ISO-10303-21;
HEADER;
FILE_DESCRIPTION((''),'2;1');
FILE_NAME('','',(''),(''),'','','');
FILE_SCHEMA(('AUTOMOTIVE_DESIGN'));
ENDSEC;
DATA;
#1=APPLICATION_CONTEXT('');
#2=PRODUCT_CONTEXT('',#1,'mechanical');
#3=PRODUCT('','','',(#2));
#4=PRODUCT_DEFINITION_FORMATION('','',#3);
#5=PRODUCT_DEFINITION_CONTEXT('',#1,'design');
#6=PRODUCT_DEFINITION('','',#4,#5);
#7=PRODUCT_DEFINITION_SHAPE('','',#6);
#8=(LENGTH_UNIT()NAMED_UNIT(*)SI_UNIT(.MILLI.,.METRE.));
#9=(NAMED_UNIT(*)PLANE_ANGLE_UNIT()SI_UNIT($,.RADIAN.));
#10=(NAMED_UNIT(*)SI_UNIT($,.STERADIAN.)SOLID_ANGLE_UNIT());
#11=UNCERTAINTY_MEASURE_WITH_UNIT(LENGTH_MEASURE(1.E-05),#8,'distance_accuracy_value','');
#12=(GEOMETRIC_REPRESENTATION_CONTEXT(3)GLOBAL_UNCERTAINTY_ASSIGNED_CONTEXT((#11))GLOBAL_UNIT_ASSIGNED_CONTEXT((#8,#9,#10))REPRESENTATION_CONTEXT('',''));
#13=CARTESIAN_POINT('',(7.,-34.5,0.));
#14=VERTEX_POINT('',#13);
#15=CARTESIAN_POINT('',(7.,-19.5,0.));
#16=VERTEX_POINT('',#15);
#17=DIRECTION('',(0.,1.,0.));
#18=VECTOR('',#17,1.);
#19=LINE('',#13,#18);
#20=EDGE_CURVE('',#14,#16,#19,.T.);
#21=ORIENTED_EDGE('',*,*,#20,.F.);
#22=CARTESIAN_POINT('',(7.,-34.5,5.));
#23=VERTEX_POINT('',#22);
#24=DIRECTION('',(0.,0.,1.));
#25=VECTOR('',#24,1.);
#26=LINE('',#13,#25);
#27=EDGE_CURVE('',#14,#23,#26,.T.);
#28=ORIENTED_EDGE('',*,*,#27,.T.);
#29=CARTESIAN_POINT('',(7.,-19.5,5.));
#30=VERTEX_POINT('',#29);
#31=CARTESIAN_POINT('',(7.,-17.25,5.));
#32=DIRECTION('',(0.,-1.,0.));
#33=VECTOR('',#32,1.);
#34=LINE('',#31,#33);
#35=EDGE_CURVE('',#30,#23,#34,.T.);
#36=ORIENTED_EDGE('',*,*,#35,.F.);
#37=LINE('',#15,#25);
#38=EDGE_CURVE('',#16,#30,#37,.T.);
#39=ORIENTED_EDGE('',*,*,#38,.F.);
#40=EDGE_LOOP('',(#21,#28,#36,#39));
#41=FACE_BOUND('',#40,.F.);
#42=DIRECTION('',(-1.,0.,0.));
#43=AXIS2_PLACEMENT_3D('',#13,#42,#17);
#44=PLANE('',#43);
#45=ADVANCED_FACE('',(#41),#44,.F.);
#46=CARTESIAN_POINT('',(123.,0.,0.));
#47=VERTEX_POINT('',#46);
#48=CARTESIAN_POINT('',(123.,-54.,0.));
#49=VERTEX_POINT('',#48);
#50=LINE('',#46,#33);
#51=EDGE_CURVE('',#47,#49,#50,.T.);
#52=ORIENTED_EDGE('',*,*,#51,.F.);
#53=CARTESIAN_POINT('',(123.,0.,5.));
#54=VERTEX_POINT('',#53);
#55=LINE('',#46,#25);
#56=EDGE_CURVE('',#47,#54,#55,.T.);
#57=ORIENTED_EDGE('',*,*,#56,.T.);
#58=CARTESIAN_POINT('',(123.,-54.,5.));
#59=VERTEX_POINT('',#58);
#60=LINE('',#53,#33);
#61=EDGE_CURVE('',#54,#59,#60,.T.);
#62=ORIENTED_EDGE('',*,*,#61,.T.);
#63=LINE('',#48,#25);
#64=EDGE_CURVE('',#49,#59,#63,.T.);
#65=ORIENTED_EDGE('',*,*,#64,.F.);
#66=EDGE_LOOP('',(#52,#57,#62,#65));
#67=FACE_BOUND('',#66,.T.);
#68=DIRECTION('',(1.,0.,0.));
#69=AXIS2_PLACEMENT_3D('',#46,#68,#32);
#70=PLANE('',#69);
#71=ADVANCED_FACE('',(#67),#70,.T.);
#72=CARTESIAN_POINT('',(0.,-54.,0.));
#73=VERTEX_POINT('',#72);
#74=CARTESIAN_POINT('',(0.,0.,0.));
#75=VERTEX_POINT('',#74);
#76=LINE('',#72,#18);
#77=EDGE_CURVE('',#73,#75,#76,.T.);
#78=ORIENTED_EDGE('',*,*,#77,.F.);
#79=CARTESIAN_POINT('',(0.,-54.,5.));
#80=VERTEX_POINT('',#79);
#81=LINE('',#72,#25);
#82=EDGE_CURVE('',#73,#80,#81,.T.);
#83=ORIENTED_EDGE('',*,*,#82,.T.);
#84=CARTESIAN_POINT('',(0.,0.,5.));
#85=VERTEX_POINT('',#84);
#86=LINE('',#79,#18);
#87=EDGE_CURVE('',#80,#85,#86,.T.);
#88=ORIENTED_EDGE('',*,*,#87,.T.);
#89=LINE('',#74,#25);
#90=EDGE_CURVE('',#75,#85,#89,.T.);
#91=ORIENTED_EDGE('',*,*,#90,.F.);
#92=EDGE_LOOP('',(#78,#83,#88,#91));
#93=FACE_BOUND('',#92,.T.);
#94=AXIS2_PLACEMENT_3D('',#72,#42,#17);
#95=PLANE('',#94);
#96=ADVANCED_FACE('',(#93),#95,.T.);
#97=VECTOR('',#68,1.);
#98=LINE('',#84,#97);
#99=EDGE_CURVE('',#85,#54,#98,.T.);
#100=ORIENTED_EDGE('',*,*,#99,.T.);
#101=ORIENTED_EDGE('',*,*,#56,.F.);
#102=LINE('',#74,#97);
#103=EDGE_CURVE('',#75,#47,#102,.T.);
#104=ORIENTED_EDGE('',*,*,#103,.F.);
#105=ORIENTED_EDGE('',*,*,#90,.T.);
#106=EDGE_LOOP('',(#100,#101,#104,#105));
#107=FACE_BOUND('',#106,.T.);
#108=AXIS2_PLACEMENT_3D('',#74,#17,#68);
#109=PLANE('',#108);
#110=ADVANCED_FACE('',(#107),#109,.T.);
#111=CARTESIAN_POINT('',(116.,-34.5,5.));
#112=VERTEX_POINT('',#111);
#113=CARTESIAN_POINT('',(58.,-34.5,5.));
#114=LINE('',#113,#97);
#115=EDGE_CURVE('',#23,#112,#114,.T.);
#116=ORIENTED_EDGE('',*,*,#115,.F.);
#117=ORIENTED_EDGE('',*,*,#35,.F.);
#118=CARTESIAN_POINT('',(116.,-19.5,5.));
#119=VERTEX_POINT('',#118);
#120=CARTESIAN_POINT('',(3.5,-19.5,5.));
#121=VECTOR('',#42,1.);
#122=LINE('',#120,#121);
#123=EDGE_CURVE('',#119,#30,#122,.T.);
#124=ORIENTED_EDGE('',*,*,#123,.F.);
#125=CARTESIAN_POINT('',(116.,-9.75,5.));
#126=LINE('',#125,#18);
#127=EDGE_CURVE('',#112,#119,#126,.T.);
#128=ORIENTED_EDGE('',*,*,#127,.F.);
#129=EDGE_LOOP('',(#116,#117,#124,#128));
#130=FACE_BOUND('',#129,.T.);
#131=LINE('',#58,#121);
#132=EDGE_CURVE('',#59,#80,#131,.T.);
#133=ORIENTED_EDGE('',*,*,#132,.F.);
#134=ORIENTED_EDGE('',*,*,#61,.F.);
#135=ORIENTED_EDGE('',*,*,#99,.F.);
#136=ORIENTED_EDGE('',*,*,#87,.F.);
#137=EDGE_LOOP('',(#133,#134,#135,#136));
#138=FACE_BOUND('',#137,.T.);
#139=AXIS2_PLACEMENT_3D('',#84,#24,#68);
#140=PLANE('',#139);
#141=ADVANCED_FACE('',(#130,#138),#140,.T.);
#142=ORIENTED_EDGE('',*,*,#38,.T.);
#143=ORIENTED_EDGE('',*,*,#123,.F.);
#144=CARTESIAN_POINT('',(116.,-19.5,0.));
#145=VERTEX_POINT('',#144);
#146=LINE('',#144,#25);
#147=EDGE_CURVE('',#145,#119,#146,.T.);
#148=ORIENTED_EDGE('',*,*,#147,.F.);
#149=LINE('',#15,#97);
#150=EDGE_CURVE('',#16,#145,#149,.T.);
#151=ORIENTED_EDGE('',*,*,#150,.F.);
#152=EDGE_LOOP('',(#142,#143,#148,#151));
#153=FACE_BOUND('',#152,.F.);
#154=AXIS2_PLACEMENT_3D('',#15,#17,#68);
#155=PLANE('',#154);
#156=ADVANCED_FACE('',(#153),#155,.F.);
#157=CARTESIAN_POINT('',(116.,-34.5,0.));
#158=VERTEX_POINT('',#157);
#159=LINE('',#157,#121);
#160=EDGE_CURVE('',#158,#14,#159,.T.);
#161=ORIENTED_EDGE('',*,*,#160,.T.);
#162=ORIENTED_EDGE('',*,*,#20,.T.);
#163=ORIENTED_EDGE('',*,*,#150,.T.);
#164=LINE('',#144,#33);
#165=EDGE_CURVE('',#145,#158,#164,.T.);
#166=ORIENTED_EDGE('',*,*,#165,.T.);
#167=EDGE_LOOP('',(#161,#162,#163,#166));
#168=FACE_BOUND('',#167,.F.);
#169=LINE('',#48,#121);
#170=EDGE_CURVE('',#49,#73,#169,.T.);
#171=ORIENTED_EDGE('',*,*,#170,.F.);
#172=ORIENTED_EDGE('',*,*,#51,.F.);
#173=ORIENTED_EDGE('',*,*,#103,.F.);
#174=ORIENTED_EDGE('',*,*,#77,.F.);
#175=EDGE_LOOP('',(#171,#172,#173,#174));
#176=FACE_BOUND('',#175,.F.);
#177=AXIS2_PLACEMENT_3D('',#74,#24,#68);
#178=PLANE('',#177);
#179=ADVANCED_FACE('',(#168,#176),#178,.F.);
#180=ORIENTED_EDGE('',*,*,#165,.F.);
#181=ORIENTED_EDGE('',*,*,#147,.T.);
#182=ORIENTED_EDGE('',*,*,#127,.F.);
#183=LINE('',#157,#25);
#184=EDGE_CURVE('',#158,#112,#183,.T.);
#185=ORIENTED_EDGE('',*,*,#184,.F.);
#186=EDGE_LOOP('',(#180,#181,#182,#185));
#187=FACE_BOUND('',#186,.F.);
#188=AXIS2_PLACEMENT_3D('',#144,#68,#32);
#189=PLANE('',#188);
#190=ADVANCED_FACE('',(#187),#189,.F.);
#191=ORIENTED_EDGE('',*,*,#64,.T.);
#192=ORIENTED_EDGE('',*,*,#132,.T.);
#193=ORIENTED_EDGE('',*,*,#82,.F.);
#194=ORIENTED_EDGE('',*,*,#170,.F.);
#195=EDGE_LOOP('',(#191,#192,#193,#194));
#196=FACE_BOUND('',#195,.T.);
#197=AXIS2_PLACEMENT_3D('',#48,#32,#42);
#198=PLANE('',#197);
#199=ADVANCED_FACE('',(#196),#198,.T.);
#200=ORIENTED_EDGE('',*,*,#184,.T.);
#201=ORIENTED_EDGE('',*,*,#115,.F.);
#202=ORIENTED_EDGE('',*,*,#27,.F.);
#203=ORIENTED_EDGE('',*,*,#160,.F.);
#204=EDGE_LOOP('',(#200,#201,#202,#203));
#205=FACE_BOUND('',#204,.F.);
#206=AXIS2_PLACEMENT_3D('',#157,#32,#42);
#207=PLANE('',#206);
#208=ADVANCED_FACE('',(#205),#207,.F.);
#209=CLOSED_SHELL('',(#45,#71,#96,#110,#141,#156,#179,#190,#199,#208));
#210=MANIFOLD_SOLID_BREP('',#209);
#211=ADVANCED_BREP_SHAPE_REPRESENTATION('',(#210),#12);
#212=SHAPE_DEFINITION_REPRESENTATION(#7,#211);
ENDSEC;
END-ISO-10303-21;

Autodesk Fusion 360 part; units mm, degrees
sketch "Sketch1" plane through (0, 0, 0) normal (0, 0, 1) x (1, 0, 0)
  line L0 (0, 0) -> (123, 0)
  line L1 (123, 0) -> (123, -54)
  line L2 (123, -54) -> (0, -54)
  line L3 (0, -54) -> (0, 0)
  line L4 (7, -19.5) -> (116, -19.5)
  line L5 (116, -19.5) -> (116, -34.5)
  line L6 (116, -34.5) -> (7, -34.5)
  line L7 (7, -34.5) -> (7, -19.5)
  dimension "d7" = 123
  dimension "d8" = 54
  dimension "d15" = 109
  dimension "d16" = 15
  dimension "d17" = 7
  dimension "d18" = 19.5
extrude "Extrude1" add sketch "Sketch1" along normal blind 5 contours L0 L1 L2 L3 | L4 L5 L6 L7
extrude "Extrude2" cut sketch "Sketch1" along normal blind 100 contours L4 L5 L6 L7
equation "lm2596_length = 44 mm"
equation "lm2596_width = 22 mm"
equation "width = lm2596_length + ( 2 * 5 ) * 1 mm"
equation "length = lm2596_width * 4 + ( 5 * 7 ) * 1 mm"
equation "height = 5 mm"
equation "d7 = length"
equation "d8 = width"
equation "d9 = height"
equation "middle_gap_width = 15 mm"
equation "middle_gap_length = length - ( 2 * 7 ) * 1 mm"
equation "middle_gap_small_distance = 7 mm"
equation "middle_gap_big_distance = ( width - middle_gap_width ) / 2"
equation "d15 = middle_gap_length"
equation "d16 = middle_gap_width"
equation "d17 = middle_gap_small_distance"
equation "d18 = middle_gap_big_distance"
equation "extra = 100 mm"
equation "d20 = extra"
